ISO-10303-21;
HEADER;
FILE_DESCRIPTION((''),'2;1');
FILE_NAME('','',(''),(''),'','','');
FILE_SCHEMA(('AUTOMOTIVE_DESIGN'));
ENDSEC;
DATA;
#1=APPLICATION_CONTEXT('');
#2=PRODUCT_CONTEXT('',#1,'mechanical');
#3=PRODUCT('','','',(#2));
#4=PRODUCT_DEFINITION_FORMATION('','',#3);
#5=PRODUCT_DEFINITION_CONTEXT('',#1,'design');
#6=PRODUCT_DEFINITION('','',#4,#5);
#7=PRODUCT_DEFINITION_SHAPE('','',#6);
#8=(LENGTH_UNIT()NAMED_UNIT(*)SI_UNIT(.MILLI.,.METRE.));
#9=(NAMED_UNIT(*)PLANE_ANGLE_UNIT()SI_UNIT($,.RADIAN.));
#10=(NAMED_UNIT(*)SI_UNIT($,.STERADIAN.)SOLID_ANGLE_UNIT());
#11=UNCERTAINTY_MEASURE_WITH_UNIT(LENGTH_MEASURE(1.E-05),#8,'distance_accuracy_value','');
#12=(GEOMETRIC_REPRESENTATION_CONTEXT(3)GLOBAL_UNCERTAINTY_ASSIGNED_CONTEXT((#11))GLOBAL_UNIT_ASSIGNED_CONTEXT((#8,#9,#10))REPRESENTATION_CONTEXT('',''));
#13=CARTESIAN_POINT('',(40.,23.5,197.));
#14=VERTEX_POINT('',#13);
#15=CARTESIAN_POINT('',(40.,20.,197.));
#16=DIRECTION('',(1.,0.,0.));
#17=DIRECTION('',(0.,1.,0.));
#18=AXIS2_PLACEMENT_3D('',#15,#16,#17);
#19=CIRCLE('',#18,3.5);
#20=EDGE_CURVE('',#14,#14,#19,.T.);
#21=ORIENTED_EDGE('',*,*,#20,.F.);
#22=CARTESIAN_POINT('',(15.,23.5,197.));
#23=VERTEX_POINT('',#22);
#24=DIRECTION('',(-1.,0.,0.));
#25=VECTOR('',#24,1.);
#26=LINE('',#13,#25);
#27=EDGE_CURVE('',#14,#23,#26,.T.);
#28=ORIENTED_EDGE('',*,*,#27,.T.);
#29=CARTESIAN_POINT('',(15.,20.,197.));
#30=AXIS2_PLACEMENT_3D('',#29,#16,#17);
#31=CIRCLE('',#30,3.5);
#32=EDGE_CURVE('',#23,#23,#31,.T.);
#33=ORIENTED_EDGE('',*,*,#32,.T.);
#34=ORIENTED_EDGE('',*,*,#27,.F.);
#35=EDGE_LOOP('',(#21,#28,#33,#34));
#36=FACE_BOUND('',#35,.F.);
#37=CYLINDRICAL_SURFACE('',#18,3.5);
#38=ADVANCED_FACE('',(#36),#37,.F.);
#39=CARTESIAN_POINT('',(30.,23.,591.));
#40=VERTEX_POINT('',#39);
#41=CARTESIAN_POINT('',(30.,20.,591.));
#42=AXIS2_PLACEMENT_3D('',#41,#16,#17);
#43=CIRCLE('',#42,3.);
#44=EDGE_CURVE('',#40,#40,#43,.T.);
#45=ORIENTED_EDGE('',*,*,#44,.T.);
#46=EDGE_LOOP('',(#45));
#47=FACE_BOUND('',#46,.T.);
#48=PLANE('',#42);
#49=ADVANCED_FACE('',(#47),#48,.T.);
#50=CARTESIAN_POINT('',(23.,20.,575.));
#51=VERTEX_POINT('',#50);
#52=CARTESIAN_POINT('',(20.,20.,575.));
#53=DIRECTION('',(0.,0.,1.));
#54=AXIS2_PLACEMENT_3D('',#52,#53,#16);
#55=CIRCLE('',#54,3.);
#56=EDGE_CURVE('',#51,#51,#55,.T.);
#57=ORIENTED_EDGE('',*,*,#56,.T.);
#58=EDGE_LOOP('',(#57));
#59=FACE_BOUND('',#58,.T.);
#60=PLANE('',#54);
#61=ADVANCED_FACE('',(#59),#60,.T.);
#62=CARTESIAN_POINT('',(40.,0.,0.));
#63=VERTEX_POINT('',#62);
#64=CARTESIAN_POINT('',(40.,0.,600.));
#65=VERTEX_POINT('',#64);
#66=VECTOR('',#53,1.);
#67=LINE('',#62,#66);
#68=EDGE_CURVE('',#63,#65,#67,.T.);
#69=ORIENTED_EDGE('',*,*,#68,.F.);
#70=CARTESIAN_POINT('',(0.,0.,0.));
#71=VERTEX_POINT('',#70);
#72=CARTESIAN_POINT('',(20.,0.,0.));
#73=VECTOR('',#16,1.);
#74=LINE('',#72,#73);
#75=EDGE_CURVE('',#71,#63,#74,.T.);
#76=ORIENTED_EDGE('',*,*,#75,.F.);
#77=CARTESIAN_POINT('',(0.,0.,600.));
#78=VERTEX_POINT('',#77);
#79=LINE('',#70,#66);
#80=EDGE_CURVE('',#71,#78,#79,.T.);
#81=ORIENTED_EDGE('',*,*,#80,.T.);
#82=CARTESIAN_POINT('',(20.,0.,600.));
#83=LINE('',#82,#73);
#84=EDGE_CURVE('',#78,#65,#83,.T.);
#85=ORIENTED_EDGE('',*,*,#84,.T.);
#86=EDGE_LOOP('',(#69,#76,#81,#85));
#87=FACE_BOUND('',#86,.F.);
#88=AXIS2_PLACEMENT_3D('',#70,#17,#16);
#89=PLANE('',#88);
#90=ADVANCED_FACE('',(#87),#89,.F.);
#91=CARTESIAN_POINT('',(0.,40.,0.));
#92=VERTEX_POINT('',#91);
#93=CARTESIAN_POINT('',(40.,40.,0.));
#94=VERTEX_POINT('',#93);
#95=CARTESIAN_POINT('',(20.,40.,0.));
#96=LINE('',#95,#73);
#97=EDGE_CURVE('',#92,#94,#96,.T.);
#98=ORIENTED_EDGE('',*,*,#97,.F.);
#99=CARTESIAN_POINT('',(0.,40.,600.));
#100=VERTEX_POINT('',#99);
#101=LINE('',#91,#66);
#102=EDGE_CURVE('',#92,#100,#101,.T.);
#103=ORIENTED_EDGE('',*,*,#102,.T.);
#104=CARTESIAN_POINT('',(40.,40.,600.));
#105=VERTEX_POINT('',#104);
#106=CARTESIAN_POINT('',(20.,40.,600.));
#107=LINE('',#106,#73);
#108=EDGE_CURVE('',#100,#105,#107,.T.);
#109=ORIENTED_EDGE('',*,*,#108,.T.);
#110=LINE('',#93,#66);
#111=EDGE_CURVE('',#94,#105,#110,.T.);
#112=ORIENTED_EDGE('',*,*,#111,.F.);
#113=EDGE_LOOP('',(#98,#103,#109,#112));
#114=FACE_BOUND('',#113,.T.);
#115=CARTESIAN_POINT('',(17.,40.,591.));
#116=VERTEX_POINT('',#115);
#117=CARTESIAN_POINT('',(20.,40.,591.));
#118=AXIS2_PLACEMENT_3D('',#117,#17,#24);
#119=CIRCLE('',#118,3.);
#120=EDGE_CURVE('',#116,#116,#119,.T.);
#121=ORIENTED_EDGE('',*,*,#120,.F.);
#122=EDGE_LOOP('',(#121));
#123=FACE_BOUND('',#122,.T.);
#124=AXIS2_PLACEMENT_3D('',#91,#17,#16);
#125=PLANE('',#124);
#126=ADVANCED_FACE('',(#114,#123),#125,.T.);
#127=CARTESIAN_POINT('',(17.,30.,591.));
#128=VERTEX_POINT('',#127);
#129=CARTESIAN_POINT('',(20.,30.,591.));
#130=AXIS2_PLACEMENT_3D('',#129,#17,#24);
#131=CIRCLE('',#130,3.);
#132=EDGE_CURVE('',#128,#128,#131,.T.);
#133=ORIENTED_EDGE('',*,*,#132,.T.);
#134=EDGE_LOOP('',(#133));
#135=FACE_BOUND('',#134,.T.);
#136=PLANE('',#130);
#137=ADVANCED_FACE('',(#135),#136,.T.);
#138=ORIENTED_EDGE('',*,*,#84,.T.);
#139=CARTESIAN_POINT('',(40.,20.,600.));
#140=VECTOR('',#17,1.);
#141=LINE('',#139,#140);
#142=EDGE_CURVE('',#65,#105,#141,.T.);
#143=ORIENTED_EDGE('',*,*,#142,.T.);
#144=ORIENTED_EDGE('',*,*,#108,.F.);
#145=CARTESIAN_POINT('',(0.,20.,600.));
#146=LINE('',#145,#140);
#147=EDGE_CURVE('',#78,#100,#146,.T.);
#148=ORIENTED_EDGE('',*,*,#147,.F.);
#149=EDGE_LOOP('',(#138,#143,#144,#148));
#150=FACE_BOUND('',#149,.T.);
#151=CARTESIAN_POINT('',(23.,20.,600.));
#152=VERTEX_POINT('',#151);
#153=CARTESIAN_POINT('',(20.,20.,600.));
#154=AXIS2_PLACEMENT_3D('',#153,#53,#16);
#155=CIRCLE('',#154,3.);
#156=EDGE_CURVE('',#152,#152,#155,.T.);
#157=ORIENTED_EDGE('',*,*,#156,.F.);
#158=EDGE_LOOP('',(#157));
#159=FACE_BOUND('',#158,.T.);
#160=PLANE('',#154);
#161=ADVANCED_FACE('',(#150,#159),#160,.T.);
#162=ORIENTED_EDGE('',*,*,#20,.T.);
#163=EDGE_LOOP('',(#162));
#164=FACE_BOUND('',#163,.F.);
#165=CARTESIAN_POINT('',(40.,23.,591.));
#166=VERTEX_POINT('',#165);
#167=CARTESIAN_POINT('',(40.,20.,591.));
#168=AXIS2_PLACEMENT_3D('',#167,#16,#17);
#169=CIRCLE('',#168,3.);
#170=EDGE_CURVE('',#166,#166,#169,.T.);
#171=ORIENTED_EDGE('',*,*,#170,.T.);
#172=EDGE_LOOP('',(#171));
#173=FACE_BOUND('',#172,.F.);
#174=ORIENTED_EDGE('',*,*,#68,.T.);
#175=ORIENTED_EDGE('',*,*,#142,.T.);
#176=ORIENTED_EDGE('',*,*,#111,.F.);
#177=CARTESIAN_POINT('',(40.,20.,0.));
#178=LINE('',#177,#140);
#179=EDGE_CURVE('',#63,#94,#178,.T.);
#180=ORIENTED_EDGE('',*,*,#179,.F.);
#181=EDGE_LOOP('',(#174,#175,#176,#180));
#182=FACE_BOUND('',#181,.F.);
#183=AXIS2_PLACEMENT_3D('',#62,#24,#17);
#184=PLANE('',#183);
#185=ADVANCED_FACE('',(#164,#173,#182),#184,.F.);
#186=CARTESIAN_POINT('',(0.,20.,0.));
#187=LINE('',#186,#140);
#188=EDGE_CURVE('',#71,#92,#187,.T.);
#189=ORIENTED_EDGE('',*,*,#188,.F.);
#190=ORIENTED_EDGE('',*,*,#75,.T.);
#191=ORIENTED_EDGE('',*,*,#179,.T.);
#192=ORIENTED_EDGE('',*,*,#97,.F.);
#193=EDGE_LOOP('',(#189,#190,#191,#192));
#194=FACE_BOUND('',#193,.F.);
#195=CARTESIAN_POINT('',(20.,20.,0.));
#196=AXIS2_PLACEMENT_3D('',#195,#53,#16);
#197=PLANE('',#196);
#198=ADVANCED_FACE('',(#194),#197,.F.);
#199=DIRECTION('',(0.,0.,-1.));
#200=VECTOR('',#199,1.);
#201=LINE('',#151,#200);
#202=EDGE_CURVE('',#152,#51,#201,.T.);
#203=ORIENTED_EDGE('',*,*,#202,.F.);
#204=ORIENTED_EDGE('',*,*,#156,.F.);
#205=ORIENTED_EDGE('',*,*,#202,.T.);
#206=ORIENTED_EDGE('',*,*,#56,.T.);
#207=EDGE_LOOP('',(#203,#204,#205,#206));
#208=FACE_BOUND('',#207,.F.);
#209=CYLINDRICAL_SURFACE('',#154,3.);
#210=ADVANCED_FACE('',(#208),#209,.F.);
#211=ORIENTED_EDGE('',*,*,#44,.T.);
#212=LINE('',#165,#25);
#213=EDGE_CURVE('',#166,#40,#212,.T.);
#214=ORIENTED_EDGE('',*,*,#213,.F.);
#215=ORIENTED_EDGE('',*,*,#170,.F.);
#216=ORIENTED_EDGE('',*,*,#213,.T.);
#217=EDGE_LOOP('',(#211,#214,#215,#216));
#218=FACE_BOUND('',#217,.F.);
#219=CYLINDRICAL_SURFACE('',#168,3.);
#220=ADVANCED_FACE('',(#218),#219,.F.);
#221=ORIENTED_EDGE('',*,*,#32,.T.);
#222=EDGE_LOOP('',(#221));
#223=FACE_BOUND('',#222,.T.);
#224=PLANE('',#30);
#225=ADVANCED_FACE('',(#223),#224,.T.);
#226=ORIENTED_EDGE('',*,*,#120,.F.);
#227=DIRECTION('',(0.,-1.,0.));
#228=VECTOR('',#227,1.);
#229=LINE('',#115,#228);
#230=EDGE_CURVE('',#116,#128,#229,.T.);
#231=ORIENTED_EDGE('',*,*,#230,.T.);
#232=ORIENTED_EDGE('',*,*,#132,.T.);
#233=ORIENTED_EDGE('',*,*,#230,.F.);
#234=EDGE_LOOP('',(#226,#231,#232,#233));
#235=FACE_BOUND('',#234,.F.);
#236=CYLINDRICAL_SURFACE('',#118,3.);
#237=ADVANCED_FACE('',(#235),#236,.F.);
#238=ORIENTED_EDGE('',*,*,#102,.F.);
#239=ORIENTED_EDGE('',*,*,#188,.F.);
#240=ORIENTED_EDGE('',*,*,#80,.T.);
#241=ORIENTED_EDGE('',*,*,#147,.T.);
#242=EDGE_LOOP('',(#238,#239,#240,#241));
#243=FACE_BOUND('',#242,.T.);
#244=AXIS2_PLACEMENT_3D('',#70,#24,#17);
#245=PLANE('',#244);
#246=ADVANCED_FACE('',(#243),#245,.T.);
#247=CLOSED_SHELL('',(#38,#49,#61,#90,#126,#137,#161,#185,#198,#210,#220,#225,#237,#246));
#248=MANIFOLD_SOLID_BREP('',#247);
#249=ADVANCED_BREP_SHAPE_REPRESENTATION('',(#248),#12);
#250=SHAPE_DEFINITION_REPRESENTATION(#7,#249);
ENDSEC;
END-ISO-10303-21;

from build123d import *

# Parameters (mm, degrees)
F0_W     = 40
F0_H     = 40
F1_DEPTH = 600
F2_R     = 3
F3_DEPTH = 25
F4_R     = 3
F5_DEPTH = 10
F6_R     = 3
F7_DEPTH = 10
F8_R     = 3.5
F9_DEPTH = 25


with BuildPart() as f1:
    # F0 (on Top) → F1 (new body)
    with BuildSketch(Plane.XY):
        with Locations((20, 20)):
            Rectangle(F0_W, F0_H)
    extrude(amount=F1_DEPTH)

    # F2 (on face) → F3 (cut)
    with BuildSketch(Plane.XY.offset(600)):
        with Locations((20, 20)):
            Circle(F2_R)
    extrude(amount=-F3_DEPTH, mode=Mode.SUBTRACT)

    # F4 (on face) → F5 (cut)
    with BuildSketch(Plane.YZ.offset(40)):
        with Locations((20, 591)):
            Circle(F4_R)
    extrude(amount=-F5_DEPTH, mode=Mode.SUBTRACT)

    # F6 (on face) → F7 (cut)
    with BuildSketch(Plane(origin=(0, 40, 0), x_dir=(-1, 0, 0), z_dir=(0, 1, 0))):
        with Locations((-20, 591)):
            Circle(F6_R)
    extrude(amount=-F7_DEPTH, mode=Mode.SUBTRACT)

    # F8 (on face) → F9 (cut)
    with BuildSketch(Plane.YZ.offset(40)):
        with Locations((20, 197)):
            Circle(F8_R)
    extrude(amount=-F9_DEPTH, mode=Mode.SUBTRACT)


solid = f1.part
